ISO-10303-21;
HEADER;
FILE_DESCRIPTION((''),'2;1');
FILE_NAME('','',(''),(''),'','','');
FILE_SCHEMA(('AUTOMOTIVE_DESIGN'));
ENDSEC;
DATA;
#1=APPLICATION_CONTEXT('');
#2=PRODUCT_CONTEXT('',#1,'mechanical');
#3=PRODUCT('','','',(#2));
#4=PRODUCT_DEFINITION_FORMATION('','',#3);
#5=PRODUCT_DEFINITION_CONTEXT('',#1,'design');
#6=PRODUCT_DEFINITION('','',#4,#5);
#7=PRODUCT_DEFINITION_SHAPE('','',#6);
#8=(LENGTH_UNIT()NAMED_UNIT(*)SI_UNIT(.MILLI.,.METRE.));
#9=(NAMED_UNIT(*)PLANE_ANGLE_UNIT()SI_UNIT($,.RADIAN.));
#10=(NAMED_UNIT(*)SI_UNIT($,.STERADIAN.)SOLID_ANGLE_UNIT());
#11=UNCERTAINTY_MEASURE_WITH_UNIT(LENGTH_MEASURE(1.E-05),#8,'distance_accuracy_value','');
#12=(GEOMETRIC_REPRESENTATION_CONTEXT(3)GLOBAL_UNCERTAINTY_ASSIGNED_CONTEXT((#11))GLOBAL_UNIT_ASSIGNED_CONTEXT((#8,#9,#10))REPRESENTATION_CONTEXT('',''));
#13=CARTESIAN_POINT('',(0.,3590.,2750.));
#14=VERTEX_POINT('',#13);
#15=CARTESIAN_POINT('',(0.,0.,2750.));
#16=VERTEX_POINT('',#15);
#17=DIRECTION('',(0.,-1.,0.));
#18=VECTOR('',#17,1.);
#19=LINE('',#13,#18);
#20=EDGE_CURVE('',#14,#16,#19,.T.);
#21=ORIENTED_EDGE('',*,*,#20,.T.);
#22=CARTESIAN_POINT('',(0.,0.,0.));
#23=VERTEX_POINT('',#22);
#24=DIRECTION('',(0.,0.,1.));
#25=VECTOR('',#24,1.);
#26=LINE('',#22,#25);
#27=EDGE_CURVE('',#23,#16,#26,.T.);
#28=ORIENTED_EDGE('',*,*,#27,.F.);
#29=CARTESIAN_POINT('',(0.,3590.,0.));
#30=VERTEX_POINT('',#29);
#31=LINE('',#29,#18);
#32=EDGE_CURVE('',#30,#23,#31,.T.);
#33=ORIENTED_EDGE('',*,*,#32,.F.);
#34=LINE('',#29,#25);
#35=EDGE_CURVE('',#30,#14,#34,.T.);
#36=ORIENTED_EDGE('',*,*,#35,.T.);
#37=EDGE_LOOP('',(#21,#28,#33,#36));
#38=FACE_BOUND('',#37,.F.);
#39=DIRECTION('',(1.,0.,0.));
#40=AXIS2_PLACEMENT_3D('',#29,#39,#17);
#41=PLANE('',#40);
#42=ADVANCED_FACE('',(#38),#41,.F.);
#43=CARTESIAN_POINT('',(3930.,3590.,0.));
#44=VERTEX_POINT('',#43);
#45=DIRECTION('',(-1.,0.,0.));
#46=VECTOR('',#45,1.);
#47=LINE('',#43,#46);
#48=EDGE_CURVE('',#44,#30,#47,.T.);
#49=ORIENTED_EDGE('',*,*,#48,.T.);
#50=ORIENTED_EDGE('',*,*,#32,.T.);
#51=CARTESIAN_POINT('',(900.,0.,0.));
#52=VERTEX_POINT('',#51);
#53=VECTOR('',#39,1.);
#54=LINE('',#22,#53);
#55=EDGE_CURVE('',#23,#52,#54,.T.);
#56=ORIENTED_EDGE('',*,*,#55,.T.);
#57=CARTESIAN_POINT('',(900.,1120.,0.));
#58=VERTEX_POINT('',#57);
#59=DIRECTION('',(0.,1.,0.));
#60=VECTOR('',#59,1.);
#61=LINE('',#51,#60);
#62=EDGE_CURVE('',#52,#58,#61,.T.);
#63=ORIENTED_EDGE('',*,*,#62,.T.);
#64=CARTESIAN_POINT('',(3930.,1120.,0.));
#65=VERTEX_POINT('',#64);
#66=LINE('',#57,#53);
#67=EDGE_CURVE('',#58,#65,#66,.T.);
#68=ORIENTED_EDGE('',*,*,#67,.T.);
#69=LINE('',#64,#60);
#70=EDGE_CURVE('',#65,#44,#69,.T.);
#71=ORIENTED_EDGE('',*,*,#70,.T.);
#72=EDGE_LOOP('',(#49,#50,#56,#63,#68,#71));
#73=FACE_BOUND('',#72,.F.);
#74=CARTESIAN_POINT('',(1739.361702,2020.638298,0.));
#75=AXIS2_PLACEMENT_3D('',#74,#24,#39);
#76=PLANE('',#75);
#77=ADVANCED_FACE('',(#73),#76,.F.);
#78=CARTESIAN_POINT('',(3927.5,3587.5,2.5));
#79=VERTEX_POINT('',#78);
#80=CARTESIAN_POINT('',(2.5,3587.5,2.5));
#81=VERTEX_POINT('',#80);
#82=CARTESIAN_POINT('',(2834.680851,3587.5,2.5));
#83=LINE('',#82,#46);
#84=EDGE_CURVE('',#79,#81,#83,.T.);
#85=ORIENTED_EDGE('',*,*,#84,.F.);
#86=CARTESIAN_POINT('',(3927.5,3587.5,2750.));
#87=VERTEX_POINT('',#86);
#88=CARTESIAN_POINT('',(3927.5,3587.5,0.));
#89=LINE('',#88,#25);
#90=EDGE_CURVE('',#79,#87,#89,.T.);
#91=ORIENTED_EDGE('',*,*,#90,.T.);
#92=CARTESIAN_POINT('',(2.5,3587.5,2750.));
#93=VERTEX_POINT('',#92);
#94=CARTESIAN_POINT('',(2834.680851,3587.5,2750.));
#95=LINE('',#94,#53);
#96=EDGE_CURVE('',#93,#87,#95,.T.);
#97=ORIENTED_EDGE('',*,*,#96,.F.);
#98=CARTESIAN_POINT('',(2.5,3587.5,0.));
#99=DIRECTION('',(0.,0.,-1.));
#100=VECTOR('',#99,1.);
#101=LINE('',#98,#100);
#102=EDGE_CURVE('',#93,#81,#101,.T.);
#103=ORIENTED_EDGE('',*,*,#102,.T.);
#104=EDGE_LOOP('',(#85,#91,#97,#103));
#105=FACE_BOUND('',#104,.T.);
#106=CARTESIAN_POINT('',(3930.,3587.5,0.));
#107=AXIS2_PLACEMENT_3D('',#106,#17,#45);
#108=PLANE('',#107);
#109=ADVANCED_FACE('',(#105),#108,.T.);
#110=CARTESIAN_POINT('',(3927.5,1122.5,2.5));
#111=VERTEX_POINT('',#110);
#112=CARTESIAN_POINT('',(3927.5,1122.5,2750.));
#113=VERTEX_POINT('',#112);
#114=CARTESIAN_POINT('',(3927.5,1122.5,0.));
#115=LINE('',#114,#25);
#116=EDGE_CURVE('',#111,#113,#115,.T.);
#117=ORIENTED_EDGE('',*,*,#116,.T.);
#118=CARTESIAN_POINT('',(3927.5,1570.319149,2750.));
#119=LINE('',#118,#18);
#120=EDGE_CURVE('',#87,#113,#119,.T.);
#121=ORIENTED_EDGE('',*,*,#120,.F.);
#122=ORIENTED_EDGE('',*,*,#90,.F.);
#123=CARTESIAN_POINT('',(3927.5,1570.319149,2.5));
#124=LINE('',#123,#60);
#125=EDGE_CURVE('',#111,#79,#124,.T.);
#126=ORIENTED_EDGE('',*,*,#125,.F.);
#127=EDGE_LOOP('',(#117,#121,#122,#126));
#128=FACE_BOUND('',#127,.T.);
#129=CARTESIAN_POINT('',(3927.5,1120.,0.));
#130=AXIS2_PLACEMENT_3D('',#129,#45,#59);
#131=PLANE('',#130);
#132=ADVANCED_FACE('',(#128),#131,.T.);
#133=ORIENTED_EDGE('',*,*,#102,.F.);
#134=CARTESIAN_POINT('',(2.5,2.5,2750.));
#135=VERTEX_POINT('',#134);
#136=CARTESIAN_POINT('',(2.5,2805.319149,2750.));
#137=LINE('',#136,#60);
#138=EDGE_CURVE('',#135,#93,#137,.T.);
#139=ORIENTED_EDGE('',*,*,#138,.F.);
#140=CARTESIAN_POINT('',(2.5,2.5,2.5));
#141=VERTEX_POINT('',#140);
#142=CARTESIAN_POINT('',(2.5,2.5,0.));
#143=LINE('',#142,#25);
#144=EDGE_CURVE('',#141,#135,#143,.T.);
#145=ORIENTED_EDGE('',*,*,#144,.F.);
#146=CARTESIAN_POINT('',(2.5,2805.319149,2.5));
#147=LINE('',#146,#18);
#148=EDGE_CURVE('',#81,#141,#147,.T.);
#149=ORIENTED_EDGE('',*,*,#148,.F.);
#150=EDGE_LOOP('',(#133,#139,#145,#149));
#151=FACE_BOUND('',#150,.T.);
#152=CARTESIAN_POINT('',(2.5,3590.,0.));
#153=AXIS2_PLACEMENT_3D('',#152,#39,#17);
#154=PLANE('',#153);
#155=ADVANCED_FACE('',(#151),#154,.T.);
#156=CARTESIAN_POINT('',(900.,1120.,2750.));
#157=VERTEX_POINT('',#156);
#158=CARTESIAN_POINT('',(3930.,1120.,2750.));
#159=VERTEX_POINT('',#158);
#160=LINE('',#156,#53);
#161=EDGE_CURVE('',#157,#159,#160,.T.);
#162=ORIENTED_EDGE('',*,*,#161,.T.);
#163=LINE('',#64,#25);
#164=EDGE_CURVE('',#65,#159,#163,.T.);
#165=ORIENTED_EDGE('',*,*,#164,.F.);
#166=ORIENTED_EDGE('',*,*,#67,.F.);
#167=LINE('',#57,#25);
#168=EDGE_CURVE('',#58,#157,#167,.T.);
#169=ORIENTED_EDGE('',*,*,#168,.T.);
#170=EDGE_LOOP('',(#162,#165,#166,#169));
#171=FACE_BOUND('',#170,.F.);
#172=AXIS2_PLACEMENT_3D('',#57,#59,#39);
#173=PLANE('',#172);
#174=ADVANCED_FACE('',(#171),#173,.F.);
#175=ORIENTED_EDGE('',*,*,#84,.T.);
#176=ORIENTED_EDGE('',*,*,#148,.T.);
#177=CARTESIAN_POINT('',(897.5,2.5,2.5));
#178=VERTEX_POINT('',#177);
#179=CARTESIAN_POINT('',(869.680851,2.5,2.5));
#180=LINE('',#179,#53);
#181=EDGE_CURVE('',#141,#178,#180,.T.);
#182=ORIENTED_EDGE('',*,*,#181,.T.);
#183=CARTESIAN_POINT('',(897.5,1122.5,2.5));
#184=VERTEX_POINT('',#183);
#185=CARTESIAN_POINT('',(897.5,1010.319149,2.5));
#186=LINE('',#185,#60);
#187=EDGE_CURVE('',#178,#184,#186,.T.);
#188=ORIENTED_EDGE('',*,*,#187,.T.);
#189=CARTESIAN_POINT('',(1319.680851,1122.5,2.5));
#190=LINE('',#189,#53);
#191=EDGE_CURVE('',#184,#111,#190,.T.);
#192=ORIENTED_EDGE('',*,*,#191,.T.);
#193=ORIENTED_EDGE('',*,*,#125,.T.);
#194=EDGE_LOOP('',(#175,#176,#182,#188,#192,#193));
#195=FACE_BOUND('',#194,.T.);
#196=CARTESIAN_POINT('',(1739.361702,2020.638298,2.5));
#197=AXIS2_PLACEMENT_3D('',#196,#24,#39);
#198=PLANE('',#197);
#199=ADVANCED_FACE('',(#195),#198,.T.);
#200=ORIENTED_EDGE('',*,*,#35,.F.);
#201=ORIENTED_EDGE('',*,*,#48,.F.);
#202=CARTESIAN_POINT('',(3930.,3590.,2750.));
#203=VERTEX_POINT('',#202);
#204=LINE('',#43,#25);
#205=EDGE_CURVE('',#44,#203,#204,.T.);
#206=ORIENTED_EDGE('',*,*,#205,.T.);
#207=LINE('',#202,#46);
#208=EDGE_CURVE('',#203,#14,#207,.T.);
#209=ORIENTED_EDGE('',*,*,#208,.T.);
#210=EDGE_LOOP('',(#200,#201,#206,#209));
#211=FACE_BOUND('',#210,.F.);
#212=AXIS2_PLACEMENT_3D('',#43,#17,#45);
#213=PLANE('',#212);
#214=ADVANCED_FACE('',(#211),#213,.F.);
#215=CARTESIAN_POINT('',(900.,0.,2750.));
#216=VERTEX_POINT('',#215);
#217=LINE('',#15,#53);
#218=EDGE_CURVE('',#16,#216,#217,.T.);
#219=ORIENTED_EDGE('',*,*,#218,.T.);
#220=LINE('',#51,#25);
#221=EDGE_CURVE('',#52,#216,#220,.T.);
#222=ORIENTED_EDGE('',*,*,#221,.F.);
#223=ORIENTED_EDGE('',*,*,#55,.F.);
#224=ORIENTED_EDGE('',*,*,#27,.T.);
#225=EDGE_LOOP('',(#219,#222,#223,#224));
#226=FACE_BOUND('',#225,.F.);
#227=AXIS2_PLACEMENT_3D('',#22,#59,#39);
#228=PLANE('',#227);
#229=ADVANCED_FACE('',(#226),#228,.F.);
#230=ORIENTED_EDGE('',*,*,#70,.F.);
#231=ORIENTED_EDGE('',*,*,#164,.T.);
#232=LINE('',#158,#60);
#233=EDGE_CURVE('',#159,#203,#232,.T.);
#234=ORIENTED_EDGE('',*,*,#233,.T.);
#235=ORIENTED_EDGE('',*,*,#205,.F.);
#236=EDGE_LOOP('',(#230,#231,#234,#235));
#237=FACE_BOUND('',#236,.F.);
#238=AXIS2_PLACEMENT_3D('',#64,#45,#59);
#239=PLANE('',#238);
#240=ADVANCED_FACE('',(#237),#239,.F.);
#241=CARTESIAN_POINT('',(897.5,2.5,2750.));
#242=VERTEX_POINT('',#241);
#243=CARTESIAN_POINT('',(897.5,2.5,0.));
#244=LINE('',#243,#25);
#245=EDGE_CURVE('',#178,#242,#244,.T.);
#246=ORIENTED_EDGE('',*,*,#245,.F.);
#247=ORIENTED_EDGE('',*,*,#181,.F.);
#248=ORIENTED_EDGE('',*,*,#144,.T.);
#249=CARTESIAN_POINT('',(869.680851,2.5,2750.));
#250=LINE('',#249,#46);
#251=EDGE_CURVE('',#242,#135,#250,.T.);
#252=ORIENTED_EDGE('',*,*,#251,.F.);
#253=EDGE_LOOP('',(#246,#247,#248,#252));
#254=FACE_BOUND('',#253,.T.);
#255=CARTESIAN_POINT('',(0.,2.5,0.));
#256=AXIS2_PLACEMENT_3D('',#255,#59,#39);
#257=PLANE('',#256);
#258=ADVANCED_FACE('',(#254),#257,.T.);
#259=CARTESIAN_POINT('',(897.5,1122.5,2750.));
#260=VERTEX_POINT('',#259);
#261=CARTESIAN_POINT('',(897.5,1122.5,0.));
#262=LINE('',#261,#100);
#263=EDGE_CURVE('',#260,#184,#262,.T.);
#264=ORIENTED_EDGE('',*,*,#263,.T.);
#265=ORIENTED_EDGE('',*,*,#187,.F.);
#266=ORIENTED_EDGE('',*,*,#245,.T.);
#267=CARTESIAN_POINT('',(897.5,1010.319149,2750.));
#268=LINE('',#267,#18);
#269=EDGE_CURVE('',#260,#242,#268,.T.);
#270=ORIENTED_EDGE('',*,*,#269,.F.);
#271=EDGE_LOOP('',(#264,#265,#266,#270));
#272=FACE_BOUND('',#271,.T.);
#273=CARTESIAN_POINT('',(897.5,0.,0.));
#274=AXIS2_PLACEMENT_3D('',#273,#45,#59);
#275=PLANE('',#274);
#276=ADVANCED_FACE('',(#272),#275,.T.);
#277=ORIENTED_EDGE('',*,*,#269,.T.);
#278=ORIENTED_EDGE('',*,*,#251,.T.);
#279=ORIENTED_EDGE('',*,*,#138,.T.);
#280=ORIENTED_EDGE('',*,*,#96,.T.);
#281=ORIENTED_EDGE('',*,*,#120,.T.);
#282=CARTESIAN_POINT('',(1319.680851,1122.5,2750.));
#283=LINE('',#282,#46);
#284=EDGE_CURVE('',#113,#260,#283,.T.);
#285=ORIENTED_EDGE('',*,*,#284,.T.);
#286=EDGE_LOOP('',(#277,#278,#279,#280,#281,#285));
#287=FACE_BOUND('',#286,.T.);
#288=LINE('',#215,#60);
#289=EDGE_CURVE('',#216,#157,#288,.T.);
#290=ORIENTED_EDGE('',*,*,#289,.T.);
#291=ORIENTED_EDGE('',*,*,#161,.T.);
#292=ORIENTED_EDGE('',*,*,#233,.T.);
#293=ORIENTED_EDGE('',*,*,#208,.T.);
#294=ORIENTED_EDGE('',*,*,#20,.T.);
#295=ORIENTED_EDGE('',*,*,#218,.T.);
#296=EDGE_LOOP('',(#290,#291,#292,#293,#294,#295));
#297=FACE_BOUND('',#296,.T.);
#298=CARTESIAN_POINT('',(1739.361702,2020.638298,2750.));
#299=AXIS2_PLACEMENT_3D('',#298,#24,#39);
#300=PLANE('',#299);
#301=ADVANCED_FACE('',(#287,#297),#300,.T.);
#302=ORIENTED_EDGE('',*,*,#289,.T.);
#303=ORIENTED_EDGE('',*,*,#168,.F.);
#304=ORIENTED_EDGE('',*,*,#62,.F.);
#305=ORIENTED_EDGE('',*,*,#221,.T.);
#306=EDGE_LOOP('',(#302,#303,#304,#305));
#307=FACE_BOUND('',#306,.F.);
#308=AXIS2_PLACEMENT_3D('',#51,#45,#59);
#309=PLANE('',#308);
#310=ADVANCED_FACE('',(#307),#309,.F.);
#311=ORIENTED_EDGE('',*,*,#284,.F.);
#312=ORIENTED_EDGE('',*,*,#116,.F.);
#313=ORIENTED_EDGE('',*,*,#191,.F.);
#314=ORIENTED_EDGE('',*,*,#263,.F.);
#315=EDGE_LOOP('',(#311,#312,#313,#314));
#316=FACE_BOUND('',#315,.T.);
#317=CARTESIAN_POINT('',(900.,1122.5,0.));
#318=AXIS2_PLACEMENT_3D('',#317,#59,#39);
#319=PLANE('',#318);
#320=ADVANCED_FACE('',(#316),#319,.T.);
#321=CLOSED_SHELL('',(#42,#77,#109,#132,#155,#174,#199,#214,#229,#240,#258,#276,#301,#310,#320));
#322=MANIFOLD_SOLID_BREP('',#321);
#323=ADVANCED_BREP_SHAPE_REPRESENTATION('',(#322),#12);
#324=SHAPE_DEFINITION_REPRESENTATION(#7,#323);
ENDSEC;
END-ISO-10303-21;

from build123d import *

# Parameters (mm, degrees)
F1_DEPTH = 2750
F2_T     = -2.5


with BuildPart() as f1:
    # F0 (on Top) → F1 (new body)
    with BuildSketch(Plane.XY):
        Polygon((0, 3590), (0, 0), (900, 0), (900, 1120), (3930, 1120), (3930, 3590), align=None)
    extrude(amount=F1_DEPTH)

    # F2
    f2_openings = [f1.faces().sort_by_distance(p)[0] for p in [
        (1822.479632, 2186.139233, 2750),
    ]]
    offset(amount=F2_T, openings=f2_openings, kind=Kind.INTERSECTION)


solid = f1.part
